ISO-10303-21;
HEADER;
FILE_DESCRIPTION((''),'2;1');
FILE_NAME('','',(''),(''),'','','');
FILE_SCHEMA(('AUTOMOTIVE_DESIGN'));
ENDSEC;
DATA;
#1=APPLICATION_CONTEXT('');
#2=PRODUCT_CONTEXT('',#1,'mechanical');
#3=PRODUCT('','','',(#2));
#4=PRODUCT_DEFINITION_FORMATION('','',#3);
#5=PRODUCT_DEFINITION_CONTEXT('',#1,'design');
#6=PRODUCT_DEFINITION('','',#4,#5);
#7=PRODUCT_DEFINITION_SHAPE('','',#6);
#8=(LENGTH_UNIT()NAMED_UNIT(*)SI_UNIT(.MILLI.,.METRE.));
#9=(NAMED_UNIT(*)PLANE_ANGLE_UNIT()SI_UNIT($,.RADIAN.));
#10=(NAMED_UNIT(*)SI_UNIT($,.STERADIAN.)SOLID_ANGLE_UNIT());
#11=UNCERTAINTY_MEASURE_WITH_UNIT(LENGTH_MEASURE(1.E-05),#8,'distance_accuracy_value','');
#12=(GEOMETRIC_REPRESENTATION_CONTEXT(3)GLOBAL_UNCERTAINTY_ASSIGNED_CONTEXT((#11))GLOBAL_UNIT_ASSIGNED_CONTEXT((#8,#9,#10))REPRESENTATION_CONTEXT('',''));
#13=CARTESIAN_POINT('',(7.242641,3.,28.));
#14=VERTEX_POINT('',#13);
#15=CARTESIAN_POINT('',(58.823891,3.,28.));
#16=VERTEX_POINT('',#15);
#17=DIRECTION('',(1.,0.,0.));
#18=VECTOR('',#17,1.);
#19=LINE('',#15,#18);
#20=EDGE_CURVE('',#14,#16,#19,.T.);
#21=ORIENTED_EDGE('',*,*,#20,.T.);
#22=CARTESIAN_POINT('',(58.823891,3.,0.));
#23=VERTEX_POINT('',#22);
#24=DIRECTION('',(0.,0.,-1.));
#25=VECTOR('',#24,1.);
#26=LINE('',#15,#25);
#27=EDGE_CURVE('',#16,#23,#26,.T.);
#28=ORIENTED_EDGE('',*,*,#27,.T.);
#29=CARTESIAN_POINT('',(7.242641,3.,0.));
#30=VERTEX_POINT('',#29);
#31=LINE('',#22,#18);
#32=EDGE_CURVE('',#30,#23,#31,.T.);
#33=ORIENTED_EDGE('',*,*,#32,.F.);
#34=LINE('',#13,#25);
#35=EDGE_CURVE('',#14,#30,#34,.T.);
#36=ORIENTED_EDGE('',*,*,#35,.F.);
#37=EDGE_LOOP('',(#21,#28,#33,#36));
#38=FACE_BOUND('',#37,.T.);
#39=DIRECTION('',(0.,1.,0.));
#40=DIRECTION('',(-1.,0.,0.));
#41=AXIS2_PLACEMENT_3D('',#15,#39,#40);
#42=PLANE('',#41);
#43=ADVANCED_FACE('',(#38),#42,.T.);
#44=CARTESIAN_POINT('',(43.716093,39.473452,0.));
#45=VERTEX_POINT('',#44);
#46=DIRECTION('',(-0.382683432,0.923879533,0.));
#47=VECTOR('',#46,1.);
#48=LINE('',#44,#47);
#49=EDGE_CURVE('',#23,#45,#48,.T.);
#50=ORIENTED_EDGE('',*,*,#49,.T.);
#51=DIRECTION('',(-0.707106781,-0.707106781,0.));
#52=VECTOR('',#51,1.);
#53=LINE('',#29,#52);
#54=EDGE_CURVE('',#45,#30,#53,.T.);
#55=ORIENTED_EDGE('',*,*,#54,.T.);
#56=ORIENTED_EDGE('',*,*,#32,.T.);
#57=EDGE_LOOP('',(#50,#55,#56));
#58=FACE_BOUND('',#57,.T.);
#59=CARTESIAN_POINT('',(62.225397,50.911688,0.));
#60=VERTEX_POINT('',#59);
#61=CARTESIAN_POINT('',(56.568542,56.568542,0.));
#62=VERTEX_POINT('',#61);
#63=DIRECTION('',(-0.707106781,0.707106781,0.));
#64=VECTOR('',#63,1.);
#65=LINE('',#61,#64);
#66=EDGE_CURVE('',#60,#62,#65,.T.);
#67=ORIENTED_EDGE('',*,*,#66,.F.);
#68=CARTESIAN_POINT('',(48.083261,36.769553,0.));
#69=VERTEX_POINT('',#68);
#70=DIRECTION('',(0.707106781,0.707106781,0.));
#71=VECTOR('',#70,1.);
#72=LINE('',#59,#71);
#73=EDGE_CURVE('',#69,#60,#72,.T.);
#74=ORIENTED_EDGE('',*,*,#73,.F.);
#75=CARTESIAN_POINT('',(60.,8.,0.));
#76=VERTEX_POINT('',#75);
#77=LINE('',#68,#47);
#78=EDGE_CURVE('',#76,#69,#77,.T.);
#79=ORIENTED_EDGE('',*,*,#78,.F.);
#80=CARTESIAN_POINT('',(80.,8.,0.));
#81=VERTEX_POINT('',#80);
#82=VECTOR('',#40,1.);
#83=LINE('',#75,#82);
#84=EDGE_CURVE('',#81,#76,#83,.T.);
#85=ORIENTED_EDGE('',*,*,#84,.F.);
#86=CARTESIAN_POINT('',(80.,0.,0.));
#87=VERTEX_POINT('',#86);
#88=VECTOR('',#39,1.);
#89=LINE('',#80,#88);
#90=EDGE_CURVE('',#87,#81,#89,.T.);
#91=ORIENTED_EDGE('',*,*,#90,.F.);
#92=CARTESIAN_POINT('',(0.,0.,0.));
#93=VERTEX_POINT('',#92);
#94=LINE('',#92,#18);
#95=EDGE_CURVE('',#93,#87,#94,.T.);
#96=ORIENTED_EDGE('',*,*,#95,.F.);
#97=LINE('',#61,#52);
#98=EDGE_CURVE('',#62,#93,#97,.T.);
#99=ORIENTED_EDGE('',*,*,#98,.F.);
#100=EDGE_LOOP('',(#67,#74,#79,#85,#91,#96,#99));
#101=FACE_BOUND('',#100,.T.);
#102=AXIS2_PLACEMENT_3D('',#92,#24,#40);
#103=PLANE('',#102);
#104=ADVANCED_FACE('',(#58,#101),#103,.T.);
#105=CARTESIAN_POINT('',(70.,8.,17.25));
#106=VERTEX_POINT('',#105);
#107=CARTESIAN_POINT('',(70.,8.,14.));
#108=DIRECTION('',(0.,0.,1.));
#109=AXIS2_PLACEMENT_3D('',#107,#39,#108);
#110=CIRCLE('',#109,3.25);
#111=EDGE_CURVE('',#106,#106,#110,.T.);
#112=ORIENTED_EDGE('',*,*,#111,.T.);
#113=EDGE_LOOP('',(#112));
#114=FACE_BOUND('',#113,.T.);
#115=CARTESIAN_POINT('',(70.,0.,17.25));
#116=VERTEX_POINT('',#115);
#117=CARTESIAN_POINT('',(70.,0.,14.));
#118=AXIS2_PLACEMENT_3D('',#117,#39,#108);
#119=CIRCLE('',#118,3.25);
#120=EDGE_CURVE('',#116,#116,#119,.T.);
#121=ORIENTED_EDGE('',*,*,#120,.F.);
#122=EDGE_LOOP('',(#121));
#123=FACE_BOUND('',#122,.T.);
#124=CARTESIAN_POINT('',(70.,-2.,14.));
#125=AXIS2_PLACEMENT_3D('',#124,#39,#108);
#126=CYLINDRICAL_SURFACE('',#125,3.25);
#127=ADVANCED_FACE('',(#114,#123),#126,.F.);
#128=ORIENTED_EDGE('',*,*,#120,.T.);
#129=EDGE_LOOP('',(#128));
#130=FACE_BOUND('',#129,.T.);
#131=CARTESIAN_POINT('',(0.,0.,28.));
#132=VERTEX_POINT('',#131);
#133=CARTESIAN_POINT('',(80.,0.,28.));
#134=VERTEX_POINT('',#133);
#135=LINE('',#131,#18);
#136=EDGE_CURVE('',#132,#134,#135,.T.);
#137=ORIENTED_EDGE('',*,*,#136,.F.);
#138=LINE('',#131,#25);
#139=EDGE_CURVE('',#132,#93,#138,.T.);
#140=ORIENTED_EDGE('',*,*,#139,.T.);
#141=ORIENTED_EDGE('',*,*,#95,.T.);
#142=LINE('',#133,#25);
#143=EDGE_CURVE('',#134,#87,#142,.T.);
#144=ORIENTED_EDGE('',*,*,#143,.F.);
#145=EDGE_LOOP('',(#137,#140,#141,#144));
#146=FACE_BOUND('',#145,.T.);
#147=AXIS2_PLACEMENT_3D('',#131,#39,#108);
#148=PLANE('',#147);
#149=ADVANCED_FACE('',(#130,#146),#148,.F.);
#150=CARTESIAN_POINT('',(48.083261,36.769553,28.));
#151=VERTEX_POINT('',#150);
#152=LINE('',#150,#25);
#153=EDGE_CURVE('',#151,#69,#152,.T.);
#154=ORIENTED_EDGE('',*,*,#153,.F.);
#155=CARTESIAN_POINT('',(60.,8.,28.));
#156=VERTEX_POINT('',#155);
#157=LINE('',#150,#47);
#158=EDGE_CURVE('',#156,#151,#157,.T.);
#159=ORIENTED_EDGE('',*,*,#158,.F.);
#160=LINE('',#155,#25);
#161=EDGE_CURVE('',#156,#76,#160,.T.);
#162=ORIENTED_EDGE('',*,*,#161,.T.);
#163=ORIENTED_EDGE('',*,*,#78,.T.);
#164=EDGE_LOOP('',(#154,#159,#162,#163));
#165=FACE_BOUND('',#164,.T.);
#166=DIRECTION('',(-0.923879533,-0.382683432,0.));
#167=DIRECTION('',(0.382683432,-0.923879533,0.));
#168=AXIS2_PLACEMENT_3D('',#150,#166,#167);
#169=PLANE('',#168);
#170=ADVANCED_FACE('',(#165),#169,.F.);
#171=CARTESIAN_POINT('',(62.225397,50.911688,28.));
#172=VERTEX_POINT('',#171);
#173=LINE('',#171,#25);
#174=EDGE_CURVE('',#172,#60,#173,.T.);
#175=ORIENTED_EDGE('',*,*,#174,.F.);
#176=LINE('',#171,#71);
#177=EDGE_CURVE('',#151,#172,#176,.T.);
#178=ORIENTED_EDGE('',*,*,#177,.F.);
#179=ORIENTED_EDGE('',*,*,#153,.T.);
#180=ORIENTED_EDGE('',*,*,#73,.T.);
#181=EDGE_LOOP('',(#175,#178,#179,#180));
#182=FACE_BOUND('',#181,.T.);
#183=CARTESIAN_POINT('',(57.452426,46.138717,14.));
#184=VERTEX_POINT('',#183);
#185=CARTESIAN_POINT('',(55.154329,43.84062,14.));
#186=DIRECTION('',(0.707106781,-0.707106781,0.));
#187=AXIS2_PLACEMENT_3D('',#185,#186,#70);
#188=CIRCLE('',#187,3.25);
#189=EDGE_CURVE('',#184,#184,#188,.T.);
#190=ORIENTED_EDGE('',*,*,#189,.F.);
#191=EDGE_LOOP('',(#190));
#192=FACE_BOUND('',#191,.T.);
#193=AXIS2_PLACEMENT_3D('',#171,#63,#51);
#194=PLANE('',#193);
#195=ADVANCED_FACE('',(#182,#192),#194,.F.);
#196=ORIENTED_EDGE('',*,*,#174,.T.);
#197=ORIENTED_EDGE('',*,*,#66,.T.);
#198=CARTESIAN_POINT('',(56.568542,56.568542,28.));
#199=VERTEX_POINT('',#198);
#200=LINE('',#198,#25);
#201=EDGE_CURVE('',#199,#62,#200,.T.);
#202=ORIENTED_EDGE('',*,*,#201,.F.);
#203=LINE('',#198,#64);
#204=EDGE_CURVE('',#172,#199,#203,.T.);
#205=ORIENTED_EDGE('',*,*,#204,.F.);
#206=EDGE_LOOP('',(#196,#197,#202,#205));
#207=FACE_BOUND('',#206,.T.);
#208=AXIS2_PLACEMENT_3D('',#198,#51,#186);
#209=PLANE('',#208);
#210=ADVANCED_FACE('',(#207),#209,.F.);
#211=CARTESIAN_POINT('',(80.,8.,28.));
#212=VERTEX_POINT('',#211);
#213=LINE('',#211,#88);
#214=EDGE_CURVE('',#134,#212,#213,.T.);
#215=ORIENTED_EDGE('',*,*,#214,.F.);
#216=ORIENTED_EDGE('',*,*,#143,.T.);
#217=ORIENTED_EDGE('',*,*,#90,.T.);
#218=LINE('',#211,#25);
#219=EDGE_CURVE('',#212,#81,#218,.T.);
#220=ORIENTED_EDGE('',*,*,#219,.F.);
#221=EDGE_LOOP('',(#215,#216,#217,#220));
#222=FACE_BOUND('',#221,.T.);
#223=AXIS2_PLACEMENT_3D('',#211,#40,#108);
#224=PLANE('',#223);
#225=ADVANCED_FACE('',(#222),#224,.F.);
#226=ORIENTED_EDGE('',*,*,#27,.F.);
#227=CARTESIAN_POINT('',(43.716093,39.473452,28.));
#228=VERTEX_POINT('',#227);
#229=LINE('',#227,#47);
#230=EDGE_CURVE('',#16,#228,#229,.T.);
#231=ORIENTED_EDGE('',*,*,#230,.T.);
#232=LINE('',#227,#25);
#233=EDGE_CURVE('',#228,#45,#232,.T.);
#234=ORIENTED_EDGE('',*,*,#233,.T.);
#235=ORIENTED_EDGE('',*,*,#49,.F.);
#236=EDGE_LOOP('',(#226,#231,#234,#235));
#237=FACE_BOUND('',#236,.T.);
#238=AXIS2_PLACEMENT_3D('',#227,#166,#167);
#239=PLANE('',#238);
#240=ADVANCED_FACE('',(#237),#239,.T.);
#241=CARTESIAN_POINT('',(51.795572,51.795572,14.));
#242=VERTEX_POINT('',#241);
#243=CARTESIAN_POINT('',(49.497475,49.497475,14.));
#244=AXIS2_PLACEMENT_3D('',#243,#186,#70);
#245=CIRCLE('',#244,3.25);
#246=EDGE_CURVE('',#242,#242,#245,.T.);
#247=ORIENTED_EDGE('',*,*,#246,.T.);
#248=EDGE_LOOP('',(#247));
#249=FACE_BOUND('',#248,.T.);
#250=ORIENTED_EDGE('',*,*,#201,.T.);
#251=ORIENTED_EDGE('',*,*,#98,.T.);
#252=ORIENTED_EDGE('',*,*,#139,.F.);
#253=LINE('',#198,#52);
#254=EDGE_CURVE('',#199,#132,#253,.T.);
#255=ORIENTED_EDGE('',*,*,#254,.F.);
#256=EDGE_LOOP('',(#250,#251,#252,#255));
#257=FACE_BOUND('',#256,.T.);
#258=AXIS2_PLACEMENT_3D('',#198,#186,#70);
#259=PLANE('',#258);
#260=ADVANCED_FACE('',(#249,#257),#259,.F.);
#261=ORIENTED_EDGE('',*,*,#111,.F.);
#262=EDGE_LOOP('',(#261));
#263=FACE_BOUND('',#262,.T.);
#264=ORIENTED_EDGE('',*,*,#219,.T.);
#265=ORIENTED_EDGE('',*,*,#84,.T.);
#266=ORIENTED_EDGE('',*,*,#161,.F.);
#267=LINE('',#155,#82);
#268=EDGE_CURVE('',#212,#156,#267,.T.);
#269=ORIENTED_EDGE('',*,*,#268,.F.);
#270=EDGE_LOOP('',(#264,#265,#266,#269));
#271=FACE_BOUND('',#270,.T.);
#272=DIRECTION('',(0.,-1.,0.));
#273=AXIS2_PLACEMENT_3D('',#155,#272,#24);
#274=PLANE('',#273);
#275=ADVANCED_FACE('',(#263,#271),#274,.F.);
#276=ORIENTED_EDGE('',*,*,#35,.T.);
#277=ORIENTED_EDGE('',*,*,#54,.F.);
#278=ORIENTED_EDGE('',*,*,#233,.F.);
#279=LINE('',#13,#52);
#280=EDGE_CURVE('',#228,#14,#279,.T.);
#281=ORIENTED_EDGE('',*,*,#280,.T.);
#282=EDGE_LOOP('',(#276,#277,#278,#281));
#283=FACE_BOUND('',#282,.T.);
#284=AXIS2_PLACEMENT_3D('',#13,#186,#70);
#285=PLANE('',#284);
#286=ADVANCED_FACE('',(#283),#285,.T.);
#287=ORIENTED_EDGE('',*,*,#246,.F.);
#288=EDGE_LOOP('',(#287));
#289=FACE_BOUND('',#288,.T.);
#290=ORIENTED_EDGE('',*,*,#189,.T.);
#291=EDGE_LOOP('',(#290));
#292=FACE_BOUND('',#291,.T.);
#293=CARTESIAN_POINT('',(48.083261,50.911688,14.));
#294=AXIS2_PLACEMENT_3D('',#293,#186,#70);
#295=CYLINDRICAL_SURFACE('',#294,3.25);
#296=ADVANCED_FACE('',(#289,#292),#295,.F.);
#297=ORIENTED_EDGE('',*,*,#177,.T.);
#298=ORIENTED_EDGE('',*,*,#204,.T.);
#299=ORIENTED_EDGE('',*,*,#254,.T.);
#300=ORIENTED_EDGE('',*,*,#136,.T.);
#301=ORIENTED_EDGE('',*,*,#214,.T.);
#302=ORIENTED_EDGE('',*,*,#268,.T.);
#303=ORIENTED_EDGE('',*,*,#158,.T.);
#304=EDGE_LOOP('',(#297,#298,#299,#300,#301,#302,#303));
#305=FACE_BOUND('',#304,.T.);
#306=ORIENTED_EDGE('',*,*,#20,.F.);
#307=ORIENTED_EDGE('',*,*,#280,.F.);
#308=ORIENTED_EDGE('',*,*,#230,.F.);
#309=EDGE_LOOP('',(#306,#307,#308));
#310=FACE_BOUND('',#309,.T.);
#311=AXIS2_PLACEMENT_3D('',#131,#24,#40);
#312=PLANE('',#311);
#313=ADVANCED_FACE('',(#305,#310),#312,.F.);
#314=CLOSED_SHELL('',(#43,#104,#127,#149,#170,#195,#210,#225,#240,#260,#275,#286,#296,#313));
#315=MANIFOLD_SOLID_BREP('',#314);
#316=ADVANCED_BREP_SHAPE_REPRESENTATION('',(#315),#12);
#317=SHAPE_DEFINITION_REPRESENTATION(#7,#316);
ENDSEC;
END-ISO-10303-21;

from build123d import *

# Parameters (mm, degrees)
EXTRUDE_1_DEPTH     = 28
SKETCH_3_R          = 3.25
CUT_EXTRUDE_1_DEPTH = 10
SKETCH_4_R          = 3.25
CUT_EXTRUDE_2_DEPTH = 10


with BuildPart() as part:
    # 草图2 → 凸台-拉伸1 (new body)
    with BuildSketch(Plane.XY):
        Polygon((56.568542495, 56.568542495), (0, 0), (80, 0), (80, 8), (60, 8), (48.083261121, 36.769552622), (62.225396744, 50.911688245), align=None)
        Polygon((7.242640687, 3), (43.716092715, 39.473452028), (58.823891211, 3), align=None, mode=Mode.SUBTRACT)
    extrude(amount=EXTRUDE_1_DEPTH)

    # 草图3 → 切除-拉伸1 (cut)
    with BuildSketch(Plane(origin=(0, 8, 0), x_dir=(1, 0, 0), z_dir=(0, 1, 0))):
        with Locations(Location((70, -14, 0), (0, 0, 270))):
            Circle(SKETCH_3_R)
    extrude(amount=-CUT_EXTRUDE_1_DEPTH, mode=Mode.SUBTRACT)

    # 草图4 → 切除-拉伸2 (cut)
    with BuildSketch(Plane(origin=(5.656854249, -5.656854249, 0), x_dir=(0, 0, -1), z_dir=(0.7071067811865439, -0.7071067811865511, 0))):
        with Locations(Location((-14, 70, 0), (0, 0, 90))):
            Circle(SKETCH_4_R)
    extrude(amount=-CUT_EXTRUDE_2_DEPTH, mode=Mode.SUBTRACT)


solid = part.part
